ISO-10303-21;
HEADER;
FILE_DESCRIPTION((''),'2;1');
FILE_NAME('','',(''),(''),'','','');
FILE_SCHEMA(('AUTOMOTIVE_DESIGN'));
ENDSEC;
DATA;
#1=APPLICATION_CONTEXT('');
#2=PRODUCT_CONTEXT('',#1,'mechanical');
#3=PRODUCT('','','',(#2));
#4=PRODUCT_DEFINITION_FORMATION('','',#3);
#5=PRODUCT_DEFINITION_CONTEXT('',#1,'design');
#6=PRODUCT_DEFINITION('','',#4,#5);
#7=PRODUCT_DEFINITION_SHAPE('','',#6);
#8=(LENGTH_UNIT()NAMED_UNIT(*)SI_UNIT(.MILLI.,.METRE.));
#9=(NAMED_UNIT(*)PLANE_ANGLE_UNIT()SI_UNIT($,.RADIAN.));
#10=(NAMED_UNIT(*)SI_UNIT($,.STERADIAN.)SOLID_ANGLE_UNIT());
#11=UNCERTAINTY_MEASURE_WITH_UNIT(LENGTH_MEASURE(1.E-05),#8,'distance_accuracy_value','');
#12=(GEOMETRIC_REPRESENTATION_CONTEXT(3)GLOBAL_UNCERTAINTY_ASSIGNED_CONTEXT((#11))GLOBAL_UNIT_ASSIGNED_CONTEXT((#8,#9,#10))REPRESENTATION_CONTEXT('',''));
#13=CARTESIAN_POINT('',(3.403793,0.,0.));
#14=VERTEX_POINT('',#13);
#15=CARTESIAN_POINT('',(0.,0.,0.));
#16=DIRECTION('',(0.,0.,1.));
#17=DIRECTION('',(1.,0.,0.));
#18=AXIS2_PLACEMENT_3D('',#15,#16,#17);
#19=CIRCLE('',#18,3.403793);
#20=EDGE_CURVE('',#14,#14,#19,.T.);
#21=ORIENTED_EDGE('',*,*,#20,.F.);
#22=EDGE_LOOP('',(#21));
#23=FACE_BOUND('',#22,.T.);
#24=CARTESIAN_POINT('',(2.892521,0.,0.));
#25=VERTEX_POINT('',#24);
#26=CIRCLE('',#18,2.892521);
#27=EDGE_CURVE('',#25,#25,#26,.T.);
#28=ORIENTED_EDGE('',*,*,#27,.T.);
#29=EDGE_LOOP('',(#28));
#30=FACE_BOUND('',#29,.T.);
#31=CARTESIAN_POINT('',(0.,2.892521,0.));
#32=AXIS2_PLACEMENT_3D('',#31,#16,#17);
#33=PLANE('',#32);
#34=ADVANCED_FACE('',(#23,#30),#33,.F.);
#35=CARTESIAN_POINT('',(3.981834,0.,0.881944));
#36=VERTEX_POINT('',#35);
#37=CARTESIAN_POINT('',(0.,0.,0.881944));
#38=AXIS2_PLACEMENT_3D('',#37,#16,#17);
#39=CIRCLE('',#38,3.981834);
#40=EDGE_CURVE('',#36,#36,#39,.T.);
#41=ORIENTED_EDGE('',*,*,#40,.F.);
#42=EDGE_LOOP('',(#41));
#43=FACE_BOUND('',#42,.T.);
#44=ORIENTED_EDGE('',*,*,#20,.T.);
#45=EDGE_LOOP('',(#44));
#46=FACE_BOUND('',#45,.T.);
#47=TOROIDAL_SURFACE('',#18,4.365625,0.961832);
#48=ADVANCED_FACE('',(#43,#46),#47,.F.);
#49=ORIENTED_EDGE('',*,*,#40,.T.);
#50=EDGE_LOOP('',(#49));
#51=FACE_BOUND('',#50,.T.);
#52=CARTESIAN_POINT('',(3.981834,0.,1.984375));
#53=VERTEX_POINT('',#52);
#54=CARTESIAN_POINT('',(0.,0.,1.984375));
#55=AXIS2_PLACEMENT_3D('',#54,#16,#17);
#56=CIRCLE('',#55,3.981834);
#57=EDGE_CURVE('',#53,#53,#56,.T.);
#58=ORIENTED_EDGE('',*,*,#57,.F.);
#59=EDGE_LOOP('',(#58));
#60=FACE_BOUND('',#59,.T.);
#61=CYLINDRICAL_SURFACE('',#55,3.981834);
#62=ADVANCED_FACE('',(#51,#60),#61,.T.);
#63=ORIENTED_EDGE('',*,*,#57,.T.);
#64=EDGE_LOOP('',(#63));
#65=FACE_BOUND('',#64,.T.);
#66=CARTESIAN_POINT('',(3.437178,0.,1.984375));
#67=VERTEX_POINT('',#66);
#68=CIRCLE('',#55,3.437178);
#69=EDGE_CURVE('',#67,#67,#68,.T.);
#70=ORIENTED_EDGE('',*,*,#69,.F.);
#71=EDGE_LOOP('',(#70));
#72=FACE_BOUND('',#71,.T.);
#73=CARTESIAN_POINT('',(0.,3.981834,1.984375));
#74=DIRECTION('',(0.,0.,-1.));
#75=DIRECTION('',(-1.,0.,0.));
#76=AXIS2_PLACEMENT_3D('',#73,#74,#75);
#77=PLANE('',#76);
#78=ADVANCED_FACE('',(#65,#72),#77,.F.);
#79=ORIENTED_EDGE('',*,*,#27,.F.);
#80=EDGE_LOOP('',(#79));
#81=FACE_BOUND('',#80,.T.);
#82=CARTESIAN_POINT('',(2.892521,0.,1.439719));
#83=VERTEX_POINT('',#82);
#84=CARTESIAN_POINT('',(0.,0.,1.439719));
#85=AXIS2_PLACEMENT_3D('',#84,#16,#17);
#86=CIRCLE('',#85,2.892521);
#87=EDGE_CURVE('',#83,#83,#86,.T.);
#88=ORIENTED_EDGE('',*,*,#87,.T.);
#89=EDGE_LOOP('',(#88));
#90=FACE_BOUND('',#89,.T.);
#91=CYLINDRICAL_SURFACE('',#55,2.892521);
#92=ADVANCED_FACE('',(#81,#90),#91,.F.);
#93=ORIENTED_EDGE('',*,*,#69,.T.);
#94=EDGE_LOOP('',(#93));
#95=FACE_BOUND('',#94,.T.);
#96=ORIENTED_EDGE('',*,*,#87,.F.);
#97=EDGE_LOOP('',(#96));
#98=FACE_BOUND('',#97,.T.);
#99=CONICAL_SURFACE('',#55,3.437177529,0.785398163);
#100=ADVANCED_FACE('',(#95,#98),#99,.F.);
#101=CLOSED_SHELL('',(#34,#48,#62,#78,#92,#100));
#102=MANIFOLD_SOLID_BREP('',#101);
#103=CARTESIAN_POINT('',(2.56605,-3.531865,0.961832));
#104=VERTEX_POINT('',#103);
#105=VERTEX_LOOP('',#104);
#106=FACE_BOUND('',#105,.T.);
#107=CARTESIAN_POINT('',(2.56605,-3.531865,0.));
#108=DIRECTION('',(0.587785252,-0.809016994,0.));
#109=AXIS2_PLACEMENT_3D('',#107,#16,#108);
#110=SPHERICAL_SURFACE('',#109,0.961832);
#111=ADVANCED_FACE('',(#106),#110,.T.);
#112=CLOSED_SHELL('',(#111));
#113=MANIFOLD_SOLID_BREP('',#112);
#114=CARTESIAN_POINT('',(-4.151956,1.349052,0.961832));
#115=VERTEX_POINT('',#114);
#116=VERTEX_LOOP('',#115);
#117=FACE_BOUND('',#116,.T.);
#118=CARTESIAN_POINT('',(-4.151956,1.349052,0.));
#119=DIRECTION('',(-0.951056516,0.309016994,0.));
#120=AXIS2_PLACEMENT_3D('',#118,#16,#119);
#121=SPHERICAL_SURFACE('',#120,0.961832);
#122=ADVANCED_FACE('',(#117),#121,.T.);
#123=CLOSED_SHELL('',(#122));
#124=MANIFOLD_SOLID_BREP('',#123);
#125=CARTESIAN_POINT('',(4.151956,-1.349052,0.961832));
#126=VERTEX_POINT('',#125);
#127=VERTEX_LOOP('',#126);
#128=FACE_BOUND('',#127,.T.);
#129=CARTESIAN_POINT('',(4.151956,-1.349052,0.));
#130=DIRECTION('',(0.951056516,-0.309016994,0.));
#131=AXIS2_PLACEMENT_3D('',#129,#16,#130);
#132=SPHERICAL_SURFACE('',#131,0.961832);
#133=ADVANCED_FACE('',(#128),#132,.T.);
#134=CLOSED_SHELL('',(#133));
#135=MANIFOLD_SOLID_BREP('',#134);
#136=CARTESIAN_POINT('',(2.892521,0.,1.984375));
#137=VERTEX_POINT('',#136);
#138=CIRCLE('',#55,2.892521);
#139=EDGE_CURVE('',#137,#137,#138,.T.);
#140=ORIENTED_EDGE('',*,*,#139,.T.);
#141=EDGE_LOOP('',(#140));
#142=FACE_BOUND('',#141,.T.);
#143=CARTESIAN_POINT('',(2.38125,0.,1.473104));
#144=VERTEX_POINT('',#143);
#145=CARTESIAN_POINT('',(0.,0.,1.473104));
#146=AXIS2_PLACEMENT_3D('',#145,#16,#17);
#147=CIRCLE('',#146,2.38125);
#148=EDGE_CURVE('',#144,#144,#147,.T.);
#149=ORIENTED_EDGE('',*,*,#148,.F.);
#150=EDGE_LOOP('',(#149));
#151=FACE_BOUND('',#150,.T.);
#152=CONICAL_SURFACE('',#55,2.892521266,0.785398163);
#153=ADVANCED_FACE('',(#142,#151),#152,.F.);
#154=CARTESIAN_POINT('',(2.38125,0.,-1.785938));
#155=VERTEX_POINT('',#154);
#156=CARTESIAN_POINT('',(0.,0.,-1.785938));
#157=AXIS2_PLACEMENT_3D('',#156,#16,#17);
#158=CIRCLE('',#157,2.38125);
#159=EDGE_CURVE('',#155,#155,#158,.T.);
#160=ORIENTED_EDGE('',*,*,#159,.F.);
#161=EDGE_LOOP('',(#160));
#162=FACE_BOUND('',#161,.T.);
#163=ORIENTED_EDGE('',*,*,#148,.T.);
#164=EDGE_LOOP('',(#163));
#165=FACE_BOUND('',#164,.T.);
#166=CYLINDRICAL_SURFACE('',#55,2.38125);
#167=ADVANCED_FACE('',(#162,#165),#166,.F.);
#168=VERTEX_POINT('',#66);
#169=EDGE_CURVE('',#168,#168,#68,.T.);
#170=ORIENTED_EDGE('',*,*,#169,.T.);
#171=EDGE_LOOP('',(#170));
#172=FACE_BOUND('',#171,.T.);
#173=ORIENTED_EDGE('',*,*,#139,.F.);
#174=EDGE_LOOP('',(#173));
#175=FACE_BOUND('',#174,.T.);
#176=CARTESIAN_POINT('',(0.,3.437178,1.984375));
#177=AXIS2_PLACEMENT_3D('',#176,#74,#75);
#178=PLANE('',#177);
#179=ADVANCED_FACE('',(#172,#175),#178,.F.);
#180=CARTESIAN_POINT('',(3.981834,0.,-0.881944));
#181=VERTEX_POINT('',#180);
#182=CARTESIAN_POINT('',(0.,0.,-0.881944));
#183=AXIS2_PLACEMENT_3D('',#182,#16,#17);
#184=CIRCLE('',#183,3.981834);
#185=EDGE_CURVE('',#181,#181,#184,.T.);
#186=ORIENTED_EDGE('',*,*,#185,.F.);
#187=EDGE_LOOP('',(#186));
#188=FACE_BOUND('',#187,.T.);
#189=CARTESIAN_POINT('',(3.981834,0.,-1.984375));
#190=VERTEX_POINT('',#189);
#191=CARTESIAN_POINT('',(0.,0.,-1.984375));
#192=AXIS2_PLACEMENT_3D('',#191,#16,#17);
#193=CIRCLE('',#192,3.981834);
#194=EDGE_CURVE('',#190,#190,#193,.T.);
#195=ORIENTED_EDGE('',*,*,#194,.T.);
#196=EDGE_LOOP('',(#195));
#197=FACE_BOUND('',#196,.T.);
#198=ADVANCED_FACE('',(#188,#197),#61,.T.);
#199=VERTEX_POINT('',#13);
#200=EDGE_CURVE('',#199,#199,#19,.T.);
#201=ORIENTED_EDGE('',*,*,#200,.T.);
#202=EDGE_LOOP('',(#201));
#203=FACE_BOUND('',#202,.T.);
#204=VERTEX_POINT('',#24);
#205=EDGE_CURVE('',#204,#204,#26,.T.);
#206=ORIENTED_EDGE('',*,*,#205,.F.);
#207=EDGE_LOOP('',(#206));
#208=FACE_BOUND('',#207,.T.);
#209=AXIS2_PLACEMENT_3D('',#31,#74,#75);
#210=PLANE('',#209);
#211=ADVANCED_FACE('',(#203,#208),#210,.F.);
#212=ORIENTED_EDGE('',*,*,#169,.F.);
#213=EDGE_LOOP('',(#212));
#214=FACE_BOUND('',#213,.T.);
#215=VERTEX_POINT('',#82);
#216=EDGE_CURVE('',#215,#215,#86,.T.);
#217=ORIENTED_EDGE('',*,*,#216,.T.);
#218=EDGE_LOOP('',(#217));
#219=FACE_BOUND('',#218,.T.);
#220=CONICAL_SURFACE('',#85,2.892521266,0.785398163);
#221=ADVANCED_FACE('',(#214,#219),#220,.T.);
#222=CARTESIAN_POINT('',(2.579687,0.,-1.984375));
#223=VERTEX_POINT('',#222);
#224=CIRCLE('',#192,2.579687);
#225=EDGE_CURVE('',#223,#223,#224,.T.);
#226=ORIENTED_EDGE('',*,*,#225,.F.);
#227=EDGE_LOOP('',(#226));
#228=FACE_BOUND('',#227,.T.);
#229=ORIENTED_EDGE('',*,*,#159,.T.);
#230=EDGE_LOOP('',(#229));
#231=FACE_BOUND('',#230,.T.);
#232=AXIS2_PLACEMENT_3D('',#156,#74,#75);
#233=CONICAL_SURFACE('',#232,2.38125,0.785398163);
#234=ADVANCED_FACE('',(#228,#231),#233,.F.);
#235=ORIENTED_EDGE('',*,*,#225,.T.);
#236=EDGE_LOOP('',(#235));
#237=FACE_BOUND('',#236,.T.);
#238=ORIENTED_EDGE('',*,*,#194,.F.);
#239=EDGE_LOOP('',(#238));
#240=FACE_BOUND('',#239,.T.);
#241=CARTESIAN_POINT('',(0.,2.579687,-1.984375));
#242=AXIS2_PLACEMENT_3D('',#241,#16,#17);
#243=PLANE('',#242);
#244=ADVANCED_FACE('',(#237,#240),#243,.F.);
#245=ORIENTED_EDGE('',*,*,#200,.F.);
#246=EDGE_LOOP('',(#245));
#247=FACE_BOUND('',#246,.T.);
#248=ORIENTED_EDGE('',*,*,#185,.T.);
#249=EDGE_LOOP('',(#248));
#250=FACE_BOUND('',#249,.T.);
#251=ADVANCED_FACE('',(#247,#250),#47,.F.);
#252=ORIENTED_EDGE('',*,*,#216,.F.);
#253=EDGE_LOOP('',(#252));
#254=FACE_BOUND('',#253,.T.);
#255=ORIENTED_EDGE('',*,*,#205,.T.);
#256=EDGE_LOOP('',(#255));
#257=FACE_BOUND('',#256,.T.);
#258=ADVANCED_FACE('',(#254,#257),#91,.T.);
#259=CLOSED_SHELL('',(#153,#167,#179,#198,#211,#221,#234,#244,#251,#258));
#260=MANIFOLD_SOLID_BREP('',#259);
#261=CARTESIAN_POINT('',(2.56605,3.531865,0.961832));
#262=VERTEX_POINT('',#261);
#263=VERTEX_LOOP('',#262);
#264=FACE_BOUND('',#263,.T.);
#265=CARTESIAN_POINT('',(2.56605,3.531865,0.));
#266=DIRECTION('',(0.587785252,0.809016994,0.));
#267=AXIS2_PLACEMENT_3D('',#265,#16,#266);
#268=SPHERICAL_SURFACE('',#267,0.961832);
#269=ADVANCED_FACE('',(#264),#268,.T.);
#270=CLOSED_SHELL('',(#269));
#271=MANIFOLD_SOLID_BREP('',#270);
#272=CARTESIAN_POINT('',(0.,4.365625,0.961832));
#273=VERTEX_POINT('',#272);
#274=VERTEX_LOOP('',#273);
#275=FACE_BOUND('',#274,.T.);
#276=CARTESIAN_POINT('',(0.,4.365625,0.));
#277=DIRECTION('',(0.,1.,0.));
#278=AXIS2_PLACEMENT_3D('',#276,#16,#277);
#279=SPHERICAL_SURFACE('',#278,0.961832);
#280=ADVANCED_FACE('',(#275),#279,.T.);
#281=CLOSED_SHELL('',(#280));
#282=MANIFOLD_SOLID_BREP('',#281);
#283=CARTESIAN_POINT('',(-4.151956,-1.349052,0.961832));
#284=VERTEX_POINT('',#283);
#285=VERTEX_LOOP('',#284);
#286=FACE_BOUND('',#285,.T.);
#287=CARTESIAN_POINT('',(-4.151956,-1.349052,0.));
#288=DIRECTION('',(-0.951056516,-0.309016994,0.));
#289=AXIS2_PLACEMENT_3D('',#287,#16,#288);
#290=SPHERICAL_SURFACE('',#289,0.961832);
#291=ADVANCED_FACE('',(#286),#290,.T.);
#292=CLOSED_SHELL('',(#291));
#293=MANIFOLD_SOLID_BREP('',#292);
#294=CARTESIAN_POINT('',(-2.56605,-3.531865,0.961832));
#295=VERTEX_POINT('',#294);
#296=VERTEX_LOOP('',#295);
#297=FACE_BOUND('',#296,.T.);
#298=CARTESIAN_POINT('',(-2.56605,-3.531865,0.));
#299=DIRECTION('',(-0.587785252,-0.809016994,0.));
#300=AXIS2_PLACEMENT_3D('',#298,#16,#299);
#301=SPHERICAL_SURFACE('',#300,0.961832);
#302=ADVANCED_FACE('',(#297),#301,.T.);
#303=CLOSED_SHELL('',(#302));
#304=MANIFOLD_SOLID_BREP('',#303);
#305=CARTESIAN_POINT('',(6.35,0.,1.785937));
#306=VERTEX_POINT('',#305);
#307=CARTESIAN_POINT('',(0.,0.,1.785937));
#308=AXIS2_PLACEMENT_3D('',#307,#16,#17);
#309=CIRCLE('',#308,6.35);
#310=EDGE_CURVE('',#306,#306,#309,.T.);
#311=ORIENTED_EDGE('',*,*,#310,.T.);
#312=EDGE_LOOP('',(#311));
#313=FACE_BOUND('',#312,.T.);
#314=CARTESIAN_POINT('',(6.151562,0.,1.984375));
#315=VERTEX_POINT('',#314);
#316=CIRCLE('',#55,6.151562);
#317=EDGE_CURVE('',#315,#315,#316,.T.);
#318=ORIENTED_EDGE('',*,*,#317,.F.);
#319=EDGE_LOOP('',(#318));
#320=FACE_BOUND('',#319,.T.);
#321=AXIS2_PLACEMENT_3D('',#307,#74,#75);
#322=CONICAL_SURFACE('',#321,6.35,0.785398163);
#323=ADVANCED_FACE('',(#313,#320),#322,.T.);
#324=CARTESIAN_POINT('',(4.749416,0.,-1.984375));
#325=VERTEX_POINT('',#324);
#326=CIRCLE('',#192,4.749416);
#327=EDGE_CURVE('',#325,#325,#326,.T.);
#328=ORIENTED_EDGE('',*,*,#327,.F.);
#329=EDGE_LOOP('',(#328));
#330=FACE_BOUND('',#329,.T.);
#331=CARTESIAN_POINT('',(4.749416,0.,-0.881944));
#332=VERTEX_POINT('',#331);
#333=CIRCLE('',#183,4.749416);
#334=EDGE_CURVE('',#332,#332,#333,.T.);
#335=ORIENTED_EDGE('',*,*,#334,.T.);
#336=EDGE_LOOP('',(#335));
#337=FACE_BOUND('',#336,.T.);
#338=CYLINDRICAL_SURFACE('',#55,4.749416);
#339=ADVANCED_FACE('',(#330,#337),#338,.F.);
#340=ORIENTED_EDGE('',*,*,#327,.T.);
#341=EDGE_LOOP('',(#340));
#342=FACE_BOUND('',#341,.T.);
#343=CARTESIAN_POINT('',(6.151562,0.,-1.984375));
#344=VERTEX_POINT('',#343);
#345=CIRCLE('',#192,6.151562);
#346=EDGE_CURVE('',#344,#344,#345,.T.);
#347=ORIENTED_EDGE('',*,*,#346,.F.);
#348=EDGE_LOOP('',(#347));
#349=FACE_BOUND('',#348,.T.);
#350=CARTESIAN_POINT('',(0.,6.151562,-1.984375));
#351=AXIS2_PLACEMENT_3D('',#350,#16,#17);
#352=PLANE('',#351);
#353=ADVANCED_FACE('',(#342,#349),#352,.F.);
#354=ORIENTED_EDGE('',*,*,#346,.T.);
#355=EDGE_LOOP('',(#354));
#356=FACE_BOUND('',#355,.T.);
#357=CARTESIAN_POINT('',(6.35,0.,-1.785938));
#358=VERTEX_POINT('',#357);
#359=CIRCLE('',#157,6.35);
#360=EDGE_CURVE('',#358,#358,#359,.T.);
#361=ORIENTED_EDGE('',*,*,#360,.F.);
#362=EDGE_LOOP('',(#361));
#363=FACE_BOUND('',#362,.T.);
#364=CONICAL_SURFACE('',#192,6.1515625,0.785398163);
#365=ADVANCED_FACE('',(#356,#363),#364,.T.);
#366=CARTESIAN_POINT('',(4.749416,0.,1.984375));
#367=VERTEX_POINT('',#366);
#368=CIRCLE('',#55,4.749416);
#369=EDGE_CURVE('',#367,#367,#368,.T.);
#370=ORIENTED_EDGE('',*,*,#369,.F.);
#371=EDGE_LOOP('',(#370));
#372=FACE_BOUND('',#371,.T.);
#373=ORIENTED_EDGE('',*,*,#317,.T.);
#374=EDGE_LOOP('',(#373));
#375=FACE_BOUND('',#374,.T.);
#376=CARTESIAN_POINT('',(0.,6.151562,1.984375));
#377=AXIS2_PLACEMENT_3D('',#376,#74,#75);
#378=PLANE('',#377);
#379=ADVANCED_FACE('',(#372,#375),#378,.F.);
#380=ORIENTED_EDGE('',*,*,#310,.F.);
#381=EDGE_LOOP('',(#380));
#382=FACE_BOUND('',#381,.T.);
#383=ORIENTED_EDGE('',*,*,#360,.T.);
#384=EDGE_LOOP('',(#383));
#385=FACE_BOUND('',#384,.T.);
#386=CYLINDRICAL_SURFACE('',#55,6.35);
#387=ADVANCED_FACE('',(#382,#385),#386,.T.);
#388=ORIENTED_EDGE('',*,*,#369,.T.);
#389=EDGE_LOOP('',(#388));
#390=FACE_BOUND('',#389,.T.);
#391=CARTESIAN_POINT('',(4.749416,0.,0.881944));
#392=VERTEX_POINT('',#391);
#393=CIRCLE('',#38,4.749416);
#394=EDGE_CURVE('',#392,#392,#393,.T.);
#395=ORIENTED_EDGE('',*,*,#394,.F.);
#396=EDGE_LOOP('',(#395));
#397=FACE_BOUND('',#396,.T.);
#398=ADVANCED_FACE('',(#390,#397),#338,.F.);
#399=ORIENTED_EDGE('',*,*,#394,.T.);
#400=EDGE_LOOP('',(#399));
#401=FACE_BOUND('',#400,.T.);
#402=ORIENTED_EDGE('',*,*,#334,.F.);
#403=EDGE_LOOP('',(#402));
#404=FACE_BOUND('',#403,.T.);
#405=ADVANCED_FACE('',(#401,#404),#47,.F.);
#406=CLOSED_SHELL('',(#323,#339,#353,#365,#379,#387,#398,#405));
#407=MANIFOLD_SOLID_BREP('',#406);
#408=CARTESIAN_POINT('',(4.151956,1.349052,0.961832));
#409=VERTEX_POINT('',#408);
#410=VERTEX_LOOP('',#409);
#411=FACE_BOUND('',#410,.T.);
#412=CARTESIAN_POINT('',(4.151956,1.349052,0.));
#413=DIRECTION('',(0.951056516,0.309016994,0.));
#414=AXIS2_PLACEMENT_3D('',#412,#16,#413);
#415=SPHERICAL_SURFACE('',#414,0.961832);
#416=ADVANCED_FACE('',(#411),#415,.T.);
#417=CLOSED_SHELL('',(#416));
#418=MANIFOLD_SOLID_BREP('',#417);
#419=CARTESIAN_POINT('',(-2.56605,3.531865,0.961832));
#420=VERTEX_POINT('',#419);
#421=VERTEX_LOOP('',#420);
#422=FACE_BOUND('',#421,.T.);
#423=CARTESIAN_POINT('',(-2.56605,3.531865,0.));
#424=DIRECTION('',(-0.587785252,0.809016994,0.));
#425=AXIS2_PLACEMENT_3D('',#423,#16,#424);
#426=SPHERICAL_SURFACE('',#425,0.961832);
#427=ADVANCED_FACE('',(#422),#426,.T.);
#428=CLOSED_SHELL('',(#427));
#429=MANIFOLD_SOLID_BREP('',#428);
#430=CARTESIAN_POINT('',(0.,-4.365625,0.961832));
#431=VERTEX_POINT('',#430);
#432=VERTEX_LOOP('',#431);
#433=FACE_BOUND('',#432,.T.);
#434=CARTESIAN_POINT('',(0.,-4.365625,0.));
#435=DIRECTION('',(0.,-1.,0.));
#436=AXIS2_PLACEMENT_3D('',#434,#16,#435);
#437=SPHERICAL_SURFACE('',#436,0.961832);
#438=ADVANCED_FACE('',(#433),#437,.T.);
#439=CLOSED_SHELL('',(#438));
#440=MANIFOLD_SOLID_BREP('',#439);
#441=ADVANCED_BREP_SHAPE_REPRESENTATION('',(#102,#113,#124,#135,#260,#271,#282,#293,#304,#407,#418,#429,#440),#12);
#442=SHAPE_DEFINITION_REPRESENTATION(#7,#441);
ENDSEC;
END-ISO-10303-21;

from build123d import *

# Parameters (mm, degrees)
CIRPATTERN1_COUNT = 10


with BuildPart() as part:
    # Sketch1 → Revolve1 (revolve)
    with BuildSketch(Plane(origin=(0, 0, 0), x_dir=(0, 0, -1), z_dir=(1, 0, 0))):
        with BuildLine():
            Line((1.7859375, 6.35), (-1.7859375, 6.35))
            Line((-1.7859375, 6.35), (-1.984375, 6.1515625))
            Line((-1.984375, 6.1515625), (-1.984375, 4.749416209))
            Line((-1.984375, 4.749416209), (-0.881944444, 4.749416209))
            ThreePointArc((-0.881944444, 4.749416209), (0, 5.327457467), (0.881944444, 4.749416209))
            Line((0.881944444, 4.749416209), (1.984375, 4.749416209))
            Line((1.984375, 4.749416209), (1.984375, 6.1515625))
            Line((1.984375, 6.1515625), (1.7859375, 6.35))
        make_face()
    revolve(axis=Axis((0, 0, 1.984375), (0, 0, -1)))


with BuildPart() as body_2:
    # Sketch2 → Revolve2 (revolve)
    with BuildSketch(Plane(origin=(0, 0, 0), x_dir=(0, 0, -1), z_dir=(1, 0, 0))):
        with BuildLine():
            Line((-1.984375, 3.981833791), (-0.881944444, 3.981833791))
            ThreePointArc((-0.881944444, 3.981833791), (-0.527247025, 3.561179682), (0, 3.403792533))
            Line((0, 3.403792533), (0, 2.892521266))
            Line((0, 2.892521266), (-1.439718738, 2.892521266))
            Line((-1.439718738, 2.892521266), (-1.984375, 3.437177529))
            Line((-1.984375, 3.437177529), (-1.984375, 3.981833791))
        make_face()
    revolve(axis=Axis((0, 0, 1.984375), (0, 0, -1)))


with BuildPart() as body_3:
    # Sketch3 → Revolve3 (revolve)
    with BuildSketch(Plane(origin=(0, 0, 0), x_dir=(0, 0, -1), z_dir=(1, 0, 0))):
        with BuildLine():
            Line((-1.984375, 3.437177529), (-1.439718738, 2.892521266))
            Line((-1.439718738, 2.892521266), (0, 2.892521266))
            Line((0, 2.892521266), (0, 3.403792533))
            ThreePointArc((0, 3.403792533), (0.527247025, 3.561179682), (0.881944444, 3.981833791))
            Line((0.881944444, 3.981833791), (1.984375, 3.981833791))
            Line((1.984375, 3.981833791), (1.984375, 2.5796875))
            Line((1.984375, 2.5796875), (1.7859375, 2.38125))
            Line((1.7859375, 2.38125), (-1.473103734, 2.38125))
            Line((-1.473103734, 2.38125), (-1.984375, 2.892521266))
            Line((-1.984375, 2.892521266), (-1.984375, 3.437177529))
        make_face()
    revolve(axis=Axis((0, 0, 1.984375), (0, 0, -1)))


with BuildPart() as body_4:
    # Sketch4 → Revolve4 (revolve)
    with BuildSketch(Plane(origin=(0, 0, 0), x_dir=(0, 0, -1), z_dir=(1, 0, 0))):
        with BuildLine():
            Line((-0.961832467, 4.365625), (0.961832467, 4.365625))
            ThreePointArc((0.961832467, 4.365625), (0, 5.327457467), (-0.961832467, 4.365625))
        make_face()
    revolve(axis=Axis((0, 4.365625, 0.961832467), (0, 0, -1)))


with BuildPart() as cirpattern1_1:
    # CirPattern1: pattern copy
    add(body_4.part.rotate(Axis((0, 0, -1.984375), (0, 0, 1)), 1 * 360 / CIRPATTERN1_COUNT))


with BuildPart() as cirpattern1_2:
    # CirPattern1: pattern copy
    add(body_4.part.rotate(Axis((0, 0, -1.984375), (0, 0, 1)), 2 * 360 / CIRPATTERN1_COUNT))


with BuildPart() as cirpattern1_3:
    # CirPattern1: pattern copy
    add(body_4.part.rotate(Axis((0, 0, -1.984375), (0, 0, 1)), 3 * 360 / CIRPATTERN1_COUNT))


with BuildPart() as cirpattern1_4:
    # CirPattern1: pattern copy
    add(body_4.part.rotate(Axis((0, 0, -1.984375), (0, 0, 1)), 4 * 360 / CIRPATTERN1_COUNT))


with BuildPart() as cirpattern1_5:
    # CirPattern1: pattern copy
    add(body_4.part.rotate(Axis((0, 0, -1.984375), (0, 0, 1)), 5 * 360 / CIRPATTERN1_COUNT))


with BuildPart() as cirpattern1_6:
    # CirPattern1: pattern copy
    add(body_4.part.rotate(Axis((0, 0, -1.984375), (0, 0, 1)), 6 * 360 / CIRPATTERN1_COUNT))


with BuildPart() as cirpattern1_7:
    # CirPattern1: pattern copy
    add(body_4.part.rotate(Axis((0, 0, -1.984375), (0, 0, 1)), 7 * 360 / CIRPATTERN1_COUNT))


with BuildPart() as cirpattern1_8:
    # CirPattern1: pattern copy
    add(body_4.part.rotate(Axis((0, 0, -1.984375), (0, 0, 1)), 8 * 360 / CIRPATTERN1_COUNT))


with BuildPart() as cirpattern1_9:
    # CirPattern1: pattern copy
    add(body_4.part.rotate(Axis((0, 0, -1.984375), (0, 0, 1)), 9 * 360 / CIRPATTERN1_COUNT))


solid = Compound([part.part, body_2.part, body_3.part, body_4.part, cirpattern1_1.part, cirpattern1_2.part, cirpattern1_3.part, cirpattern1_4.part, cirpattern1_5.part, cirpattern1_6.part, cirpattern1_7.part, cirpattern1_8.part, cirpattern1_9.part])
